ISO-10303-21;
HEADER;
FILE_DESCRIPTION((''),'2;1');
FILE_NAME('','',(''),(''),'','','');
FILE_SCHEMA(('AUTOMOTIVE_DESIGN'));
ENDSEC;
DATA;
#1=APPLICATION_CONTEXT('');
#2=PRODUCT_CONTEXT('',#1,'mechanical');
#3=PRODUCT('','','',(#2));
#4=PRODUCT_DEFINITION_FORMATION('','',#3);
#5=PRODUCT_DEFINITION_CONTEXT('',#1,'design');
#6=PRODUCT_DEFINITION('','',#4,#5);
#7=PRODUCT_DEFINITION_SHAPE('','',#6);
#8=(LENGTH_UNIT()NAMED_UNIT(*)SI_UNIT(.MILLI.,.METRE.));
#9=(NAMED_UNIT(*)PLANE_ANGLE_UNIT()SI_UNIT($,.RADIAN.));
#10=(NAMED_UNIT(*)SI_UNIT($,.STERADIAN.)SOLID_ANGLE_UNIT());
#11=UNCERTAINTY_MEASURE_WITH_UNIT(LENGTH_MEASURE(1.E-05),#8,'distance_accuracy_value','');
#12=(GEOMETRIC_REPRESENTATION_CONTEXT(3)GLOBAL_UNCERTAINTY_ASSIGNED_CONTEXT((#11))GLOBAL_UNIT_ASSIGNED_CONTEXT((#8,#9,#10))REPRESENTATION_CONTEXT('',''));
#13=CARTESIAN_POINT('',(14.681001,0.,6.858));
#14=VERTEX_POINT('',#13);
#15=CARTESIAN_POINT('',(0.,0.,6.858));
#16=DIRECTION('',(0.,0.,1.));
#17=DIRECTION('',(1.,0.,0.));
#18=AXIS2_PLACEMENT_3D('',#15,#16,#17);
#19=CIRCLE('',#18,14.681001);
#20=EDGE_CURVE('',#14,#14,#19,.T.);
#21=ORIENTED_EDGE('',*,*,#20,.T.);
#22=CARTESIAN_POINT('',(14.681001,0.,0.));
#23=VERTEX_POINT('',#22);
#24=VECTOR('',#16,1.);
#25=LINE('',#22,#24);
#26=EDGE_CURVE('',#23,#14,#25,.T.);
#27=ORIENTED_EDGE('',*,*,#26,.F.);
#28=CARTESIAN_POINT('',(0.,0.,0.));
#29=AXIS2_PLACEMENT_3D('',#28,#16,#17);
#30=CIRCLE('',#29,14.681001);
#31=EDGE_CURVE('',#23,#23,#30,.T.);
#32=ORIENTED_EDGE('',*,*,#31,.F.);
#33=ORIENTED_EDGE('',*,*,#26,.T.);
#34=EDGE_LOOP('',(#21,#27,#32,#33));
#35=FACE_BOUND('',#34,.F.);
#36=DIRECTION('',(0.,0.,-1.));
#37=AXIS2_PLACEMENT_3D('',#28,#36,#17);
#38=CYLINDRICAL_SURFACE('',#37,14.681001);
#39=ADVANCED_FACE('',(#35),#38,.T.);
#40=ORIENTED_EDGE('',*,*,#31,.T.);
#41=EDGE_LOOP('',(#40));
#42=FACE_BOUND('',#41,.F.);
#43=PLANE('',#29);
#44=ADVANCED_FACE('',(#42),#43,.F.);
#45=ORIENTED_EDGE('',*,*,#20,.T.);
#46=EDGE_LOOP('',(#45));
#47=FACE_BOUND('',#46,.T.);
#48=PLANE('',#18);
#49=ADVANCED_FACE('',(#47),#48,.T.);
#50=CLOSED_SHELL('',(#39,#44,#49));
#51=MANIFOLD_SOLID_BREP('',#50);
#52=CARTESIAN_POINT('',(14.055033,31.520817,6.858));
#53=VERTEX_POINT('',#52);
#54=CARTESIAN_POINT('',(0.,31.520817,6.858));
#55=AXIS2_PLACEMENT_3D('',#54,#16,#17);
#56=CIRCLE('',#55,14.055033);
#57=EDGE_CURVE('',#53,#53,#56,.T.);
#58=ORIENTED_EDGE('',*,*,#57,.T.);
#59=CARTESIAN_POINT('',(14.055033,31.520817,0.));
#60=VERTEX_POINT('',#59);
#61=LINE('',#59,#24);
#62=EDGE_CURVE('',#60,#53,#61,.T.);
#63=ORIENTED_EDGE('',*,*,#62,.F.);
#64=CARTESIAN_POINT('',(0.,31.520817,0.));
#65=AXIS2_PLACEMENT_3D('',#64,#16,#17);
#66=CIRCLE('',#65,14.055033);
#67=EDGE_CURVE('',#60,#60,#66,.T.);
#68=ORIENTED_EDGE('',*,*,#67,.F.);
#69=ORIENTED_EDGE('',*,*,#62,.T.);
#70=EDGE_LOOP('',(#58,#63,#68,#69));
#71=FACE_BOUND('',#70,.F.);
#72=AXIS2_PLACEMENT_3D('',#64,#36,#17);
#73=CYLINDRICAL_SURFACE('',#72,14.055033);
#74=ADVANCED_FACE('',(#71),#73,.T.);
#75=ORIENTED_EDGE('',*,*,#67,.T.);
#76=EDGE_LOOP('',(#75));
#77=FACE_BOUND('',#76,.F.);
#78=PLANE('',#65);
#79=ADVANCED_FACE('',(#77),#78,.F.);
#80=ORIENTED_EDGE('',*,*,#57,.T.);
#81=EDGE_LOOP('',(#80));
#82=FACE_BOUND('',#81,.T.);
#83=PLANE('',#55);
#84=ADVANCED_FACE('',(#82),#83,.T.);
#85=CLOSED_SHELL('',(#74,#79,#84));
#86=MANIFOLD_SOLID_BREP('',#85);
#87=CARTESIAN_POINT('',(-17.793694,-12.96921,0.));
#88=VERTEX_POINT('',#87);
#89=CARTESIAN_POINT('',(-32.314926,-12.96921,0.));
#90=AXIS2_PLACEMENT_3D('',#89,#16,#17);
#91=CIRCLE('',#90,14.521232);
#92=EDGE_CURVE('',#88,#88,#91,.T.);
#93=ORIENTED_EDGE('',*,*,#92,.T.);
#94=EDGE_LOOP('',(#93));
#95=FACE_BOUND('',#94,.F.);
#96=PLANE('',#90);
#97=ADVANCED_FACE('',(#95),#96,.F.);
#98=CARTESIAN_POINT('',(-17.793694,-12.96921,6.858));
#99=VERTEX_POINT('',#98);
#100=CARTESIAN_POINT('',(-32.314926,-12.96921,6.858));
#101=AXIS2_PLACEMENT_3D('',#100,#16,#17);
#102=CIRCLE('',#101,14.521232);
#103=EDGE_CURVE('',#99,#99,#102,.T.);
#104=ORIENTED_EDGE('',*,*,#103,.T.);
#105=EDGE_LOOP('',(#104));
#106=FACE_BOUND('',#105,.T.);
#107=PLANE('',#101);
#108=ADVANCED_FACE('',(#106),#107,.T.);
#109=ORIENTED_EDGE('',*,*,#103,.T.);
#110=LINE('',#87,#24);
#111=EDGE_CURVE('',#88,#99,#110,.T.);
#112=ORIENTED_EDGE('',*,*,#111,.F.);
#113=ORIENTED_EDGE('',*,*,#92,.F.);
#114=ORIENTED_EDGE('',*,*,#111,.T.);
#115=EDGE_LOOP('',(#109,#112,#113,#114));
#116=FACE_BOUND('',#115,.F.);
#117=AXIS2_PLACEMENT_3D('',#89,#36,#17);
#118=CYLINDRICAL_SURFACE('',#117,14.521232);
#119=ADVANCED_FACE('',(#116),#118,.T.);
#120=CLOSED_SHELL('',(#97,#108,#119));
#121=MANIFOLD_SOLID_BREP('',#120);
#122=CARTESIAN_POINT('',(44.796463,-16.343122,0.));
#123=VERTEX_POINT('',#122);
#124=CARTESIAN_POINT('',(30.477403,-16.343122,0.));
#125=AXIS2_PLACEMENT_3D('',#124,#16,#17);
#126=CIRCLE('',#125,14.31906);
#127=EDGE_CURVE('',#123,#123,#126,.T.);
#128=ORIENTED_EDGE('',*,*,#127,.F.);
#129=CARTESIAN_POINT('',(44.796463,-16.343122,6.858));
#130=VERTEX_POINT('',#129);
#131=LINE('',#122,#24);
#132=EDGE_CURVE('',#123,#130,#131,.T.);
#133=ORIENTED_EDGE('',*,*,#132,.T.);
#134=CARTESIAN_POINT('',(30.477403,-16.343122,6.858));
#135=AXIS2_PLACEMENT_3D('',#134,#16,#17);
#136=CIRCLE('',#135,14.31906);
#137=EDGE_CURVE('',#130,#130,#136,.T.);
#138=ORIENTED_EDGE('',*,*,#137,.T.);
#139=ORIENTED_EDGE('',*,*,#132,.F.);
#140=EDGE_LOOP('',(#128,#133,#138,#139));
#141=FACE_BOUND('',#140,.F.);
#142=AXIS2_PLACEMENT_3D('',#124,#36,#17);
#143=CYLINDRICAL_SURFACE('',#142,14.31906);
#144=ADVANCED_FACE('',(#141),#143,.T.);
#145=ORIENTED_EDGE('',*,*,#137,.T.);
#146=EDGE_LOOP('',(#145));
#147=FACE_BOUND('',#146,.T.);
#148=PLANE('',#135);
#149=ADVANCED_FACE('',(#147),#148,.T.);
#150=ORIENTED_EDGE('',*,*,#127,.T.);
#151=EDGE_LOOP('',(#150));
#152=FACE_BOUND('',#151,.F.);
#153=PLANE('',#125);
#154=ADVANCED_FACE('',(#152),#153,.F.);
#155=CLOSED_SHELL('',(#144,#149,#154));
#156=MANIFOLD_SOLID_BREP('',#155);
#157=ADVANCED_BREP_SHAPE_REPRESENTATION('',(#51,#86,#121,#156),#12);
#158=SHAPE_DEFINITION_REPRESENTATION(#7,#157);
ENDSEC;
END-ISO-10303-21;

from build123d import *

# Parameters (mm, degrees)
F0_R     = 14.31906
F0_R_2   = 14.681001
F0_R_3   = 14.055033
F0_R_4   = 14.521232
F1_DEPTH = 6.858


with BuildPart() as f1:
    # F0 (on Top) → F1 (new body)
    with BuildSketch(Plane.XY):
        with Locations((30.477403, -16.343122)):
            Circle(F0_R)
        Circle(F0_R_2)
        with Locations((0, 31.520817)):
            Circle(F0_R_3)
        with Locations((-32.314926, -12.96921)):
            Circle(F0_R_4)
    extrude(amount=F1_DEPTH)


solid = f1.part
